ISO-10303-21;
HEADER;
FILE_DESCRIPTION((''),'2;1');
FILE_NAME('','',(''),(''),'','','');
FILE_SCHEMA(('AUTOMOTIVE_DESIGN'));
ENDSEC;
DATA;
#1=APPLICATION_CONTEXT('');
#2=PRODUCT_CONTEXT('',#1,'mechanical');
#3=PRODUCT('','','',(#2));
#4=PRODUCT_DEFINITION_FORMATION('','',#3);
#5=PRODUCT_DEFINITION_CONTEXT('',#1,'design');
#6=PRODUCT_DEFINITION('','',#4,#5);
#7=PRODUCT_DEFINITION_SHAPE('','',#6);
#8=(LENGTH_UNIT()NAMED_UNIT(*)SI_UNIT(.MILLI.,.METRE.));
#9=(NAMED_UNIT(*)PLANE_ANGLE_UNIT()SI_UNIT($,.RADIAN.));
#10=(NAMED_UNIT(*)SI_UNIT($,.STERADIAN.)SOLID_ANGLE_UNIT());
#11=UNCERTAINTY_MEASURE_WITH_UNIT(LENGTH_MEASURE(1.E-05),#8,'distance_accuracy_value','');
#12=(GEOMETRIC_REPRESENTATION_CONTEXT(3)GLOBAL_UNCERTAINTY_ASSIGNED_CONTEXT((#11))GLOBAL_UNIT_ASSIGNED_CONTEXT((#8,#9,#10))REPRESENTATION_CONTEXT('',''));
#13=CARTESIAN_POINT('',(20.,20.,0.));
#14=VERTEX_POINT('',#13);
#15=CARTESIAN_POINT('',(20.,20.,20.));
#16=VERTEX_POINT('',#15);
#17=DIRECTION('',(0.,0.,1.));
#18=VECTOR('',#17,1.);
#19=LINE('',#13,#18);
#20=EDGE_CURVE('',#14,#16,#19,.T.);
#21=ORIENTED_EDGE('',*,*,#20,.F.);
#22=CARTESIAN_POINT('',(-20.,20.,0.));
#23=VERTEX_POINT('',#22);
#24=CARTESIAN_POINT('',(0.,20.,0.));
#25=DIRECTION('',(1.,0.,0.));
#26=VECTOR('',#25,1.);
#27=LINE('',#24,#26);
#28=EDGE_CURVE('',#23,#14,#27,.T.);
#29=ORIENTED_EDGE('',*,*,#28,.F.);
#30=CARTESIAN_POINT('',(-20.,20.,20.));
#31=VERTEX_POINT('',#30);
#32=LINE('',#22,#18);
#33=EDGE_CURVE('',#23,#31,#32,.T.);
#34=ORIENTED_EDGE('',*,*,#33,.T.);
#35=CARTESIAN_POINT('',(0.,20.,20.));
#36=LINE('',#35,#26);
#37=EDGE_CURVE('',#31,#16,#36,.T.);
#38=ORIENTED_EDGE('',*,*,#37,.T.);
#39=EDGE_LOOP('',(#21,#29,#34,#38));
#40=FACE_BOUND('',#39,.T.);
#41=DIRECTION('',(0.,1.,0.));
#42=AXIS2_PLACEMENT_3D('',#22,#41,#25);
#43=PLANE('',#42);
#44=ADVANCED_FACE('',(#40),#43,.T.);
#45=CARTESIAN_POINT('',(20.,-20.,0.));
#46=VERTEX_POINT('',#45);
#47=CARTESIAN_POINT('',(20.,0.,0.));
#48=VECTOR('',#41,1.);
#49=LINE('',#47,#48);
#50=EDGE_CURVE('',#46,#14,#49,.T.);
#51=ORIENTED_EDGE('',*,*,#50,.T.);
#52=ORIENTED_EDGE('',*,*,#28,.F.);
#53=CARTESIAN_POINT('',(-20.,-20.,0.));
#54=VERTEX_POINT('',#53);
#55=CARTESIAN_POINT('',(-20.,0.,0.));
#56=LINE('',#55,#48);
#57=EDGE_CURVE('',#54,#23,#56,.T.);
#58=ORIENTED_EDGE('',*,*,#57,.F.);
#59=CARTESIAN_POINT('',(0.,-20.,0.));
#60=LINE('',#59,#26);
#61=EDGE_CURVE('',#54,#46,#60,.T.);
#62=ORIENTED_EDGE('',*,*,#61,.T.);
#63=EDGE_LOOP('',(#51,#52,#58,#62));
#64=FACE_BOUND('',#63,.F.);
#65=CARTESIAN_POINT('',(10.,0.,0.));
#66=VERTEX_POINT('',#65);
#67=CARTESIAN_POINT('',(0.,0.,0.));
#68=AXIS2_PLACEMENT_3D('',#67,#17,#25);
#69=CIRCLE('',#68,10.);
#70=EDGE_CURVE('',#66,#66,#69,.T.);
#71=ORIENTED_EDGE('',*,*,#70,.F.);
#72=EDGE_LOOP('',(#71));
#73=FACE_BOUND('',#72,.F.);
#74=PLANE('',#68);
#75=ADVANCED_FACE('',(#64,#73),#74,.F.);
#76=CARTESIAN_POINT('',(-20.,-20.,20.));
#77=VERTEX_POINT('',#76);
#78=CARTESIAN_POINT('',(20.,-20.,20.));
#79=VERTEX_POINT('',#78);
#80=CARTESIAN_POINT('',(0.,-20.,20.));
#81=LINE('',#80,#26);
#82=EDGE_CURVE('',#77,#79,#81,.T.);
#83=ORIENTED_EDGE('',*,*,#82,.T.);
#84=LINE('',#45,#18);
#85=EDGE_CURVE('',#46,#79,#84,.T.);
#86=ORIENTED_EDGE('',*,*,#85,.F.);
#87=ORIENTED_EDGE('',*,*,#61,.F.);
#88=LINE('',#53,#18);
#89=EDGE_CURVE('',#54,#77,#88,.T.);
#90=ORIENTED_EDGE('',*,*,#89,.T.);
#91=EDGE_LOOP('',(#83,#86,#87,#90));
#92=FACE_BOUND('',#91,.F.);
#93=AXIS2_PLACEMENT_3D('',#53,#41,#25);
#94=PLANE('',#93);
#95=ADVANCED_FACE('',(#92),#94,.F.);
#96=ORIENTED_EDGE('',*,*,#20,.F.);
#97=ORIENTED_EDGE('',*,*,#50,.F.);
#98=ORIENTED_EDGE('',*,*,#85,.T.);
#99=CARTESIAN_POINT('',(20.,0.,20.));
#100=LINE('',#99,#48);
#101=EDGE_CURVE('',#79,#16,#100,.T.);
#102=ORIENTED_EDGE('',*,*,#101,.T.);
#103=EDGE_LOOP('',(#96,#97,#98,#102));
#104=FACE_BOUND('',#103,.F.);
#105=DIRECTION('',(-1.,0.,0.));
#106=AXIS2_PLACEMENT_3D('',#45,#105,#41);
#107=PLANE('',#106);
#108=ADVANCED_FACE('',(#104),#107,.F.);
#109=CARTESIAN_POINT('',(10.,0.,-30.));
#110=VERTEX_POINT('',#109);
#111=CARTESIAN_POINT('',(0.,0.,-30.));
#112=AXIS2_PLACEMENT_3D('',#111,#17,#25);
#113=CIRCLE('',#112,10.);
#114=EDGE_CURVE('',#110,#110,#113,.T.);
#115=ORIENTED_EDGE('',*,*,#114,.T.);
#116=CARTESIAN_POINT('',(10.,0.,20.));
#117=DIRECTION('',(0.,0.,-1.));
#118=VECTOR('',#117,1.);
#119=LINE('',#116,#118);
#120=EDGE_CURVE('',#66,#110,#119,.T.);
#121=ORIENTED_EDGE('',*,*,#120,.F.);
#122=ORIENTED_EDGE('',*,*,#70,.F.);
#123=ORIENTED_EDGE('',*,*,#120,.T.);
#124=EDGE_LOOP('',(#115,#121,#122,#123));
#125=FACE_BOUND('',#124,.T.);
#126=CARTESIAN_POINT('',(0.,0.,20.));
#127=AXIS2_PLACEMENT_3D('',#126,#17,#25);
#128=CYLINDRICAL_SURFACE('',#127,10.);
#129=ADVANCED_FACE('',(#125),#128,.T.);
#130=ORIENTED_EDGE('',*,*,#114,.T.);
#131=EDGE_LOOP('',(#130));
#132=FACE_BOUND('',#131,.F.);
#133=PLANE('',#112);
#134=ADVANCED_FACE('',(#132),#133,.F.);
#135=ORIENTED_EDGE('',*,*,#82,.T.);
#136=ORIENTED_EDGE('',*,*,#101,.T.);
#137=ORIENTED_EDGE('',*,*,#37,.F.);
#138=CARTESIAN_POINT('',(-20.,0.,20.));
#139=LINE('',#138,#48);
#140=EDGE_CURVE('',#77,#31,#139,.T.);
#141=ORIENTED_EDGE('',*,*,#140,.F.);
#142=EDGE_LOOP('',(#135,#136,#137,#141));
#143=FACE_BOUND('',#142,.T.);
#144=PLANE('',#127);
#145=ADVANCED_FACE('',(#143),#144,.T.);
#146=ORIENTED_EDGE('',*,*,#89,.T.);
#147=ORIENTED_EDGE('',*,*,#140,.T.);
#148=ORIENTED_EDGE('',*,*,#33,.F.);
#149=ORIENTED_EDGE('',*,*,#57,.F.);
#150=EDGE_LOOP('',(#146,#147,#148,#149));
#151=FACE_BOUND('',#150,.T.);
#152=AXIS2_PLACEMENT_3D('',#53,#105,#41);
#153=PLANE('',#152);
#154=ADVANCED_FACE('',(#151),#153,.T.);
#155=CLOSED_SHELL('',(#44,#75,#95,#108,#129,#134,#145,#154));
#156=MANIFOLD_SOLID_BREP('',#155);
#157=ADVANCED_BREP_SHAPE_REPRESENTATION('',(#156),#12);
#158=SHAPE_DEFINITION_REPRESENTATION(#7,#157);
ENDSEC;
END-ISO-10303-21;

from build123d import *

# Parameters (mm, degrees)
F0_W     = 40
F0_H     = 40
F1_DEPTH = 20
F2_R     = 10
F3_DEPTH = 50


with BuildPart() as f1:
    # F0 (on Top) → F1 (new body)
    with BuildSketch(Plane.XY):
        Rectangle(F0_W, F0_H)
    extrude(amount=F1_DEPTH)

    # F2 (on face) → F3 (join)
    with BuildSketch(Plane.XY.offset(20)):
        Circle(F2_R)
    extrude(amount=-F3_DEPTH)


solid = f1.part
